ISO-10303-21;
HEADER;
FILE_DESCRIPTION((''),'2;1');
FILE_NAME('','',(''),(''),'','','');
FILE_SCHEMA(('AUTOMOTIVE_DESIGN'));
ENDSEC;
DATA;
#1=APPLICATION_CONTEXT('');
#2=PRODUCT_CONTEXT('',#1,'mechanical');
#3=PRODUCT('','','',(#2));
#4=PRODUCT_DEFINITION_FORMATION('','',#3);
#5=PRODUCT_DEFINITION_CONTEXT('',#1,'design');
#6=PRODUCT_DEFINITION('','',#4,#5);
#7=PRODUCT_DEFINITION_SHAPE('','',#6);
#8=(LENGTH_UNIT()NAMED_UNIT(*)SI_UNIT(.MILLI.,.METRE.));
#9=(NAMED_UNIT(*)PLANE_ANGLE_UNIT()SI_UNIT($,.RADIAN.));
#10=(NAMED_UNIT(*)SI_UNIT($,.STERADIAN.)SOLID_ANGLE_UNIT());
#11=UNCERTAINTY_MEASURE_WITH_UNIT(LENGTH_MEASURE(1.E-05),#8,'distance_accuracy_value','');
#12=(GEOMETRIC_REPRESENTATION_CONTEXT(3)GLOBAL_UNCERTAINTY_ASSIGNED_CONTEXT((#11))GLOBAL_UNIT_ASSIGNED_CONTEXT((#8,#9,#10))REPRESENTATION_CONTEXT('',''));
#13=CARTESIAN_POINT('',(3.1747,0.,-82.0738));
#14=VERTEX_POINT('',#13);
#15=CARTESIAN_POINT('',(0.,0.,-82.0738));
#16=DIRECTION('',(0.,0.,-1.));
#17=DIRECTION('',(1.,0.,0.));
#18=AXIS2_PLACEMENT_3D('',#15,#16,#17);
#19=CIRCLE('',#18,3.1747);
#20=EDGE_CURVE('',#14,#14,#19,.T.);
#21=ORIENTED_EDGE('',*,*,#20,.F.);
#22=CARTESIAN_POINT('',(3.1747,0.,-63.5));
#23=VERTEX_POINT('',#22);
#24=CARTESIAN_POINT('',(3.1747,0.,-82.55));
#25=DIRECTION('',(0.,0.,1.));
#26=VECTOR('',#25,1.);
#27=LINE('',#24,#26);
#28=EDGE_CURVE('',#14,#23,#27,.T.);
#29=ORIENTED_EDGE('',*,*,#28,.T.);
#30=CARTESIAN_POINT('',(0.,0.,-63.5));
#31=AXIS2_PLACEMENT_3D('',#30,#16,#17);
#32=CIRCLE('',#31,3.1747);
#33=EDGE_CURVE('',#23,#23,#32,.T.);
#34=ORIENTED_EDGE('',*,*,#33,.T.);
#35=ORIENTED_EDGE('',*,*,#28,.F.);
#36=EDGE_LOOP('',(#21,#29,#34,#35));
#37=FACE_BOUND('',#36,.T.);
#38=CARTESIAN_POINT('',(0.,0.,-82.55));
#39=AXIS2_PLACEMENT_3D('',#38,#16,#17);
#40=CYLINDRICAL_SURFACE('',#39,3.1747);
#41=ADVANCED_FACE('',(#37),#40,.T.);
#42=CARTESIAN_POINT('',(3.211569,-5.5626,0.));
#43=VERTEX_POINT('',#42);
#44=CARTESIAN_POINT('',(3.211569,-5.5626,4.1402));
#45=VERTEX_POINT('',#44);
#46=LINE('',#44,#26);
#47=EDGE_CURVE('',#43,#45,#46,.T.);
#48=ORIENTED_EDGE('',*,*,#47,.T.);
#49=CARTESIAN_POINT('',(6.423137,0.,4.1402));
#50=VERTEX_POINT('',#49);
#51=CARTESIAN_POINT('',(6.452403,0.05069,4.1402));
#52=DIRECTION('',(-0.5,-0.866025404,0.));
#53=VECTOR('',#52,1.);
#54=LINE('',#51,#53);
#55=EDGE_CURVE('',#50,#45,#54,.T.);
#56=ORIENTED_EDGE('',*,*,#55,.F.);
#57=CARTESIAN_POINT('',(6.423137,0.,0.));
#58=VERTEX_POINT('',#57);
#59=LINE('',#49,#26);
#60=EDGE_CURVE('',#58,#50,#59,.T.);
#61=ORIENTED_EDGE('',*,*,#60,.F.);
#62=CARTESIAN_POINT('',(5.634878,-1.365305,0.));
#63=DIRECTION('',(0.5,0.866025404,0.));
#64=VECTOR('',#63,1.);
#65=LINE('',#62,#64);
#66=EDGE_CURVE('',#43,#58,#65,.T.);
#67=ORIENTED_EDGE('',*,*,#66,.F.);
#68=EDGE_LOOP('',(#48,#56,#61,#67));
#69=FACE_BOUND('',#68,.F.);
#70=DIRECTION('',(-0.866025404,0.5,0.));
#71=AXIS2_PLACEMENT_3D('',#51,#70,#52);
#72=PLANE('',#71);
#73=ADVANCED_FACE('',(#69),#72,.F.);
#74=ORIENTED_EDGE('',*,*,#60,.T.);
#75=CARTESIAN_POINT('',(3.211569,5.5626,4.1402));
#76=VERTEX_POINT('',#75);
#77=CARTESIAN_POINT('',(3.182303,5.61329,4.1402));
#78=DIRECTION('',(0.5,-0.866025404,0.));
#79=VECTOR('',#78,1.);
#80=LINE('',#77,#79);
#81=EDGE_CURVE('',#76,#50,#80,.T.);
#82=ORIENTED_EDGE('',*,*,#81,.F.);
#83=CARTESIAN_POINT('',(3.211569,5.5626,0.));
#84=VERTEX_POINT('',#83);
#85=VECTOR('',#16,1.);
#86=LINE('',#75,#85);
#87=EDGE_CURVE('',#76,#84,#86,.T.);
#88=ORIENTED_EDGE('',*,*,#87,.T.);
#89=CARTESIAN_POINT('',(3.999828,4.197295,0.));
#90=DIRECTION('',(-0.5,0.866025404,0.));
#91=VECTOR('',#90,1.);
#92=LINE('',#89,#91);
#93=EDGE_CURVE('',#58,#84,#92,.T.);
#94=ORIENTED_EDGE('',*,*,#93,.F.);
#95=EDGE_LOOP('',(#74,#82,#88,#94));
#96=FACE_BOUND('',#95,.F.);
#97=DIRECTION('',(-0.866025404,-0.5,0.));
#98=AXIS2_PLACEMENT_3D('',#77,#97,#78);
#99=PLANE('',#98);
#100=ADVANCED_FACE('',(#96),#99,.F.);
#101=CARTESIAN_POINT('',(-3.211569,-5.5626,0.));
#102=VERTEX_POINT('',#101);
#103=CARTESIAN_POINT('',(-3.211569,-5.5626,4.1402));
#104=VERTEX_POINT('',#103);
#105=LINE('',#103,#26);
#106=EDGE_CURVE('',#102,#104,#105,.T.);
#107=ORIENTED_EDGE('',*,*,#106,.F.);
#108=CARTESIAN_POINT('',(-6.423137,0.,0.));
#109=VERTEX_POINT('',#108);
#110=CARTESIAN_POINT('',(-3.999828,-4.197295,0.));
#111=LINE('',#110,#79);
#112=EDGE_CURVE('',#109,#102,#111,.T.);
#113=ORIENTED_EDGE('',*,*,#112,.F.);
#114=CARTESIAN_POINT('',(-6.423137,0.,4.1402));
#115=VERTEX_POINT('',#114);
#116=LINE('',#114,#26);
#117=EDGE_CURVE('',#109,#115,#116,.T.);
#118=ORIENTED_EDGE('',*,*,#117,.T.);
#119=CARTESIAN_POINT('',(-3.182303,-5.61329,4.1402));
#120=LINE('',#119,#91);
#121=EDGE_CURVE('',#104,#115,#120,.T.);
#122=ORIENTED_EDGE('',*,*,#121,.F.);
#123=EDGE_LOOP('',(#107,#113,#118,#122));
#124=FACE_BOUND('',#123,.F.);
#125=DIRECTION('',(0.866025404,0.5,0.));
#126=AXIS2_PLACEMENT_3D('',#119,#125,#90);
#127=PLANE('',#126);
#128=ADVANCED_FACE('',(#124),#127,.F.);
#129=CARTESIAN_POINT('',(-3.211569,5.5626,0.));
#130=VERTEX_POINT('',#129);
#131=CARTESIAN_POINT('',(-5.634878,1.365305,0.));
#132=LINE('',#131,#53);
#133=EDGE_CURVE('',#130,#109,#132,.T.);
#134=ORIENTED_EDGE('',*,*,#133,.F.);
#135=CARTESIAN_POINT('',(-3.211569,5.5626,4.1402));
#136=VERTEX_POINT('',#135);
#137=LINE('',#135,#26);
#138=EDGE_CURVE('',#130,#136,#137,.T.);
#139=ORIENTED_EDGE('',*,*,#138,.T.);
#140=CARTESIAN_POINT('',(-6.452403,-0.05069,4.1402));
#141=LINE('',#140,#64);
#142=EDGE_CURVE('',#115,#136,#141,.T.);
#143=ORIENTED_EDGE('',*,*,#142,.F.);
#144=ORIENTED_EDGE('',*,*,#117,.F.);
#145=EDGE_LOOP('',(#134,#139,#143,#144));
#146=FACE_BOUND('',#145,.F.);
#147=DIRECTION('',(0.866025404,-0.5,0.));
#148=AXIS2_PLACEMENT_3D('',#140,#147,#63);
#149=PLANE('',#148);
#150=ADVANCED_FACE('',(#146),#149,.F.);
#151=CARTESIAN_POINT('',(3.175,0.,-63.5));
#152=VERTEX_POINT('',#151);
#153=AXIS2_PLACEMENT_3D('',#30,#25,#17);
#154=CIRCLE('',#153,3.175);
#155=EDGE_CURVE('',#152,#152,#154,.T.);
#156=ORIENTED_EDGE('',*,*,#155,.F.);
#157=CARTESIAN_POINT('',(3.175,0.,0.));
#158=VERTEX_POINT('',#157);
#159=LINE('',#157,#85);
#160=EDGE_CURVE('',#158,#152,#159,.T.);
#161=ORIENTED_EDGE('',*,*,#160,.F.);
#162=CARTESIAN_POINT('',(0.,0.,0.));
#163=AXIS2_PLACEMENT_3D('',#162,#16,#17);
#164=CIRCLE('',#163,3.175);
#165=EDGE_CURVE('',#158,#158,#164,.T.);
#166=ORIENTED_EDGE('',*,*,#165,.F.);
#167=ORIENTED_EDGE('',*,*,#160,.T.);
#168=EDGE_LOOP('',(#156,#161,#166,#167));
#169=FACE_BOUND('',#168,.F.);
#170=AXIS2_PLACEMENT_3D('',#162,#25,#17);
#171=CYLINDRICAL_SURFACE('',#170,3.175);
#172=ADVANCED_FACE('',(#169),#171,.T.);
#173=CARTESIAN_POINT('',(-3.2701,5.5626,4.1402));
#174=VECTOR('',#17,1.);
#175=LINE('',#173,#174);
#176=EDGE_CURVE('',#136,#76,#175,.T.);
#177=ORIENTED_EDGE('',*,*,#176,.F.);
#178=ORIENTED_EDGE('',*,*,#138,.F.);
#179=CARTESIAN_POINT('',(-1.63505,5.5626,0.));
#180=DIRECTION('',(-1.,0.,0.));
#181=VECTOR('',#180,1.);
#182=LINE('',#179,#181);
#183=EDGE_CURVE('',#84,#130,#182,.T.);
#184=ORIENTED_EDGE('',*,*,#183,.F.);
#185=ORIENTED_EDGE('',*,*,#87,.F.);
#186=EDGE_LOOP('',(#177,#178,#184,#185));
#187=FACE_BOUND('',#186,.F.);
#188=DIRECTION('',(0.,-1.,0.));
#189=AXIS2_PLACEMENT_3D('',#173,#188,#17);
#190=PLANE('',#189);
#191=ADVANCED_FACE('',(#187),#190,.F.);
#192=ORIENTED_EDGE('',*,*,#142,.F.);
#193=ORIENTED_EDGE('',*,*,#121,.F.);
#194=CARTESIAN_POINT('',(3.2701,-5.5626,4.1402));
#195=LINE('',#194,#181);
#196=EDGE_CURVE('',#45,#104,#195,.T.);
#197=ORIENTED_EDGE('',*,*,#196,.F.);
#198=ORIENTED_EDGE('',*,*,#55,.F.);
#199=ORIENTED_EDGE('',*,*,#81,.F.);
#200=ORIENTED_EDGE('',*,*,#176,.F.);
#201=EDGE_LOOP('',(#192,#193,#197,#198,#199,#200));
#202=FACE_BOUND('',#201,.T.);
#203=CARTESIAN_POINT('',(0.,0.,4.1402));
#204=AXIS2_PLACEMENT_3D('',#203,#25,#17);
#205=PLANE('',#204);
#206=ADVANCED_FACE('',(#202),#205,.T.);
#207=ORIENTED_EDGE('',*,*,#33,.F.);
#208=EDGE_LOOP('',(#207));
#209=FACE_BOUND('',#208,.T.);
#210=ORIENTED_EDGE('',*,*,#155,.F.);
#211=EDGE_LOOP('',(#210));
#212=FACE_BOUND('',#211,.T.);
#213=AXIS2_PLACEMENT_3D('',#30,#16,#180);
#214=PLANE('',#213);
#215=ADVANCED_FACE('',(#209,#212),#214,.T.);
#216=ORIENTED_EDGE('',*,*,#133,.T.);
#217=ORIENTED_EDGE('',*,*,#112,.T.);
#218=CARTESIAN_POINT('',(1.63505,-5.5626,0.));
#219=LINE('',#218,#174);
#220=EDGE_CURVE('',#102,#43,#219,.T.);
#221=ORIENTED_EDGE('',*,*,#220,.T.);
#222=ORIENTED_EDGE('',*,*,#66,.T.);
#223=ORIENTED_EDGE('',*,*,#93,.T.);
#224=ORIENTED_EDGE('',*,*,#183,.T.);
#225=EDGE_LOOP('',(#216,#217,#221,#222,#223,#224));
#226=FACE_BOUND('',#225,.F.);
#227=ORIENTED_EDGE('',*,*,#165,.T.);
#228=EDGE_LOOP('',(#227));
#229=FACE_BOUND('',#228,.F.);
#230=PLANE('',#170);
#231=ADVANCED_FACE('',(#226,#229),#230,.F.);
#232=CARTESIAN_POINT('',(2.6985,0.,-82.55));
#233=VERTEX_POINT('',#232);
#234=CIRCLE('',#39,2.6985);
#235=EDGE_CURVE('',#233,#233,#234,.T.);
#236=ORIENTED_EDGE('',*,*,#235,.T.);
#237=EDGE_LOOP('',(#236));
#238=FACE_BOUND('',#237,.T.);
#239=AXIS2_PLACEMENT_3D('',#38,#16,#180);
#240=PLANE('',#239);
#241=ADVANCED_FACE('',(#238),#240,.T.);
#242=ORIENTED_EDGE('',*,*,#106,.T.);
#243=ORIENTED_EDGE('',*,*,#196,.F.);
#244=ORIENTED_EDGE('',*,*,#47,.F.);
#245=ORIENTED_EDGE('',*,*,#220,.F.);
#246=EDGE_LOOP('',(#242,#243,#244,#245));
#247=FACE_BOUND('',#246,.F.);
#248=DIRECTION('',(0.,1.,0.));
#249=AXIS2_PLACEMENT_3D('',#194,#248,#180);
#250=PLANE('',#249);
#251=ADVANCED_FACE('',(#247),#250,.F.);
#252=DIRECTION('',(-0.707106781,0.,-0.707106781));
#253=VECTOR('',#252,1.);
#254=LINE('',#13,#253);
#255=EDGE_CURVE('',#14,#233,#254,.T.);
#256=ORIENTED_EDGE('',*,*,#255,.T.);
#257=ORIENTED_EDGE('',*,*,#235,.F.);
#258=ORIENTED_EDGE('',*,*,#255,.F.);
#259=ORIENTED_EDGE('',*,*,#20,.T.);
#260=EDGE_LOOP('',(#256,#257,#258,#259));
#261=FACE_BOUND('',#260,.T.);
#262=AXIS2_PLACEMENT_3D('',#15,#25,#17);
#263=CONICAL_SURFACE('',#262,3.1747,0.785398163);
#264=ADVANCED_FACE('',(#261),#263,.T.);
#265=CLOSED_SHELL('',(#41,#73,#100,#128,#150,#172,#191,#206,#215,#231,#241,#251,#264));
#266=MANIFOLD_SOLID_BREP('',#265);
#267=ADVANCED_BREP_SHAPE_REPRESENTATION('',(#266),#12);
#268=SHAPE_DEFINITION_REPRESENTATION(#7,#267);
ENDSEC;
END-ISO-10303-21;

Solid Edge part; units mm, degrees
sketch "Sketch1" plane through (0, 0, 0) normal (0, 0, 1) x (1, 0, 0)
  circle A0 centre (0, 0) radius 6.4526
  dimension "D1" = 12.9052
extrude "Protrusion1" add sketch "Sketch1" along normal blind 4.1402
sketch "Sketch2" plane through (0, 0, 0) normal (0, 0, -1) x (1, 0, 0)
  circle A0 centre (0, 0) radius 3.175
extrude "Protrusion2" add sketch "Sketch2" along normal blind 82.55
sketch "Sketch3" plane through (0, 0, -82.55) normal (0, 0, -1) x (1, 0, 0)
  circle A0 centre (0, 0) radius 3.1747
extrude "Cutout1" cut sketch "Sketch3" against normal blind 19.05 flip side to cut
chamfer "Chamfer_1" distance 0.4762 angle 45 1 edges at (-3.1747, 0, -82.55)
sketch "Sketch4" plane through (0, 0, 4.1402) normal (0, 0, 1) x (1, 0, 0)
  line L0 (-3.2701, 5.5626) -> (3.2701, 5.5626)
  dimension "D1" = 11.1252
extrude "Cutout2" cut sketch "Sketch4" against normal up to next material side at (0, 5.6126, 4.1402)
pattern_circular "Pattern1" count 6 over 360 about axis through (0, 0, 4.1402) along (0, 0, 1) of "Cutout2"
properties part number "185525"
